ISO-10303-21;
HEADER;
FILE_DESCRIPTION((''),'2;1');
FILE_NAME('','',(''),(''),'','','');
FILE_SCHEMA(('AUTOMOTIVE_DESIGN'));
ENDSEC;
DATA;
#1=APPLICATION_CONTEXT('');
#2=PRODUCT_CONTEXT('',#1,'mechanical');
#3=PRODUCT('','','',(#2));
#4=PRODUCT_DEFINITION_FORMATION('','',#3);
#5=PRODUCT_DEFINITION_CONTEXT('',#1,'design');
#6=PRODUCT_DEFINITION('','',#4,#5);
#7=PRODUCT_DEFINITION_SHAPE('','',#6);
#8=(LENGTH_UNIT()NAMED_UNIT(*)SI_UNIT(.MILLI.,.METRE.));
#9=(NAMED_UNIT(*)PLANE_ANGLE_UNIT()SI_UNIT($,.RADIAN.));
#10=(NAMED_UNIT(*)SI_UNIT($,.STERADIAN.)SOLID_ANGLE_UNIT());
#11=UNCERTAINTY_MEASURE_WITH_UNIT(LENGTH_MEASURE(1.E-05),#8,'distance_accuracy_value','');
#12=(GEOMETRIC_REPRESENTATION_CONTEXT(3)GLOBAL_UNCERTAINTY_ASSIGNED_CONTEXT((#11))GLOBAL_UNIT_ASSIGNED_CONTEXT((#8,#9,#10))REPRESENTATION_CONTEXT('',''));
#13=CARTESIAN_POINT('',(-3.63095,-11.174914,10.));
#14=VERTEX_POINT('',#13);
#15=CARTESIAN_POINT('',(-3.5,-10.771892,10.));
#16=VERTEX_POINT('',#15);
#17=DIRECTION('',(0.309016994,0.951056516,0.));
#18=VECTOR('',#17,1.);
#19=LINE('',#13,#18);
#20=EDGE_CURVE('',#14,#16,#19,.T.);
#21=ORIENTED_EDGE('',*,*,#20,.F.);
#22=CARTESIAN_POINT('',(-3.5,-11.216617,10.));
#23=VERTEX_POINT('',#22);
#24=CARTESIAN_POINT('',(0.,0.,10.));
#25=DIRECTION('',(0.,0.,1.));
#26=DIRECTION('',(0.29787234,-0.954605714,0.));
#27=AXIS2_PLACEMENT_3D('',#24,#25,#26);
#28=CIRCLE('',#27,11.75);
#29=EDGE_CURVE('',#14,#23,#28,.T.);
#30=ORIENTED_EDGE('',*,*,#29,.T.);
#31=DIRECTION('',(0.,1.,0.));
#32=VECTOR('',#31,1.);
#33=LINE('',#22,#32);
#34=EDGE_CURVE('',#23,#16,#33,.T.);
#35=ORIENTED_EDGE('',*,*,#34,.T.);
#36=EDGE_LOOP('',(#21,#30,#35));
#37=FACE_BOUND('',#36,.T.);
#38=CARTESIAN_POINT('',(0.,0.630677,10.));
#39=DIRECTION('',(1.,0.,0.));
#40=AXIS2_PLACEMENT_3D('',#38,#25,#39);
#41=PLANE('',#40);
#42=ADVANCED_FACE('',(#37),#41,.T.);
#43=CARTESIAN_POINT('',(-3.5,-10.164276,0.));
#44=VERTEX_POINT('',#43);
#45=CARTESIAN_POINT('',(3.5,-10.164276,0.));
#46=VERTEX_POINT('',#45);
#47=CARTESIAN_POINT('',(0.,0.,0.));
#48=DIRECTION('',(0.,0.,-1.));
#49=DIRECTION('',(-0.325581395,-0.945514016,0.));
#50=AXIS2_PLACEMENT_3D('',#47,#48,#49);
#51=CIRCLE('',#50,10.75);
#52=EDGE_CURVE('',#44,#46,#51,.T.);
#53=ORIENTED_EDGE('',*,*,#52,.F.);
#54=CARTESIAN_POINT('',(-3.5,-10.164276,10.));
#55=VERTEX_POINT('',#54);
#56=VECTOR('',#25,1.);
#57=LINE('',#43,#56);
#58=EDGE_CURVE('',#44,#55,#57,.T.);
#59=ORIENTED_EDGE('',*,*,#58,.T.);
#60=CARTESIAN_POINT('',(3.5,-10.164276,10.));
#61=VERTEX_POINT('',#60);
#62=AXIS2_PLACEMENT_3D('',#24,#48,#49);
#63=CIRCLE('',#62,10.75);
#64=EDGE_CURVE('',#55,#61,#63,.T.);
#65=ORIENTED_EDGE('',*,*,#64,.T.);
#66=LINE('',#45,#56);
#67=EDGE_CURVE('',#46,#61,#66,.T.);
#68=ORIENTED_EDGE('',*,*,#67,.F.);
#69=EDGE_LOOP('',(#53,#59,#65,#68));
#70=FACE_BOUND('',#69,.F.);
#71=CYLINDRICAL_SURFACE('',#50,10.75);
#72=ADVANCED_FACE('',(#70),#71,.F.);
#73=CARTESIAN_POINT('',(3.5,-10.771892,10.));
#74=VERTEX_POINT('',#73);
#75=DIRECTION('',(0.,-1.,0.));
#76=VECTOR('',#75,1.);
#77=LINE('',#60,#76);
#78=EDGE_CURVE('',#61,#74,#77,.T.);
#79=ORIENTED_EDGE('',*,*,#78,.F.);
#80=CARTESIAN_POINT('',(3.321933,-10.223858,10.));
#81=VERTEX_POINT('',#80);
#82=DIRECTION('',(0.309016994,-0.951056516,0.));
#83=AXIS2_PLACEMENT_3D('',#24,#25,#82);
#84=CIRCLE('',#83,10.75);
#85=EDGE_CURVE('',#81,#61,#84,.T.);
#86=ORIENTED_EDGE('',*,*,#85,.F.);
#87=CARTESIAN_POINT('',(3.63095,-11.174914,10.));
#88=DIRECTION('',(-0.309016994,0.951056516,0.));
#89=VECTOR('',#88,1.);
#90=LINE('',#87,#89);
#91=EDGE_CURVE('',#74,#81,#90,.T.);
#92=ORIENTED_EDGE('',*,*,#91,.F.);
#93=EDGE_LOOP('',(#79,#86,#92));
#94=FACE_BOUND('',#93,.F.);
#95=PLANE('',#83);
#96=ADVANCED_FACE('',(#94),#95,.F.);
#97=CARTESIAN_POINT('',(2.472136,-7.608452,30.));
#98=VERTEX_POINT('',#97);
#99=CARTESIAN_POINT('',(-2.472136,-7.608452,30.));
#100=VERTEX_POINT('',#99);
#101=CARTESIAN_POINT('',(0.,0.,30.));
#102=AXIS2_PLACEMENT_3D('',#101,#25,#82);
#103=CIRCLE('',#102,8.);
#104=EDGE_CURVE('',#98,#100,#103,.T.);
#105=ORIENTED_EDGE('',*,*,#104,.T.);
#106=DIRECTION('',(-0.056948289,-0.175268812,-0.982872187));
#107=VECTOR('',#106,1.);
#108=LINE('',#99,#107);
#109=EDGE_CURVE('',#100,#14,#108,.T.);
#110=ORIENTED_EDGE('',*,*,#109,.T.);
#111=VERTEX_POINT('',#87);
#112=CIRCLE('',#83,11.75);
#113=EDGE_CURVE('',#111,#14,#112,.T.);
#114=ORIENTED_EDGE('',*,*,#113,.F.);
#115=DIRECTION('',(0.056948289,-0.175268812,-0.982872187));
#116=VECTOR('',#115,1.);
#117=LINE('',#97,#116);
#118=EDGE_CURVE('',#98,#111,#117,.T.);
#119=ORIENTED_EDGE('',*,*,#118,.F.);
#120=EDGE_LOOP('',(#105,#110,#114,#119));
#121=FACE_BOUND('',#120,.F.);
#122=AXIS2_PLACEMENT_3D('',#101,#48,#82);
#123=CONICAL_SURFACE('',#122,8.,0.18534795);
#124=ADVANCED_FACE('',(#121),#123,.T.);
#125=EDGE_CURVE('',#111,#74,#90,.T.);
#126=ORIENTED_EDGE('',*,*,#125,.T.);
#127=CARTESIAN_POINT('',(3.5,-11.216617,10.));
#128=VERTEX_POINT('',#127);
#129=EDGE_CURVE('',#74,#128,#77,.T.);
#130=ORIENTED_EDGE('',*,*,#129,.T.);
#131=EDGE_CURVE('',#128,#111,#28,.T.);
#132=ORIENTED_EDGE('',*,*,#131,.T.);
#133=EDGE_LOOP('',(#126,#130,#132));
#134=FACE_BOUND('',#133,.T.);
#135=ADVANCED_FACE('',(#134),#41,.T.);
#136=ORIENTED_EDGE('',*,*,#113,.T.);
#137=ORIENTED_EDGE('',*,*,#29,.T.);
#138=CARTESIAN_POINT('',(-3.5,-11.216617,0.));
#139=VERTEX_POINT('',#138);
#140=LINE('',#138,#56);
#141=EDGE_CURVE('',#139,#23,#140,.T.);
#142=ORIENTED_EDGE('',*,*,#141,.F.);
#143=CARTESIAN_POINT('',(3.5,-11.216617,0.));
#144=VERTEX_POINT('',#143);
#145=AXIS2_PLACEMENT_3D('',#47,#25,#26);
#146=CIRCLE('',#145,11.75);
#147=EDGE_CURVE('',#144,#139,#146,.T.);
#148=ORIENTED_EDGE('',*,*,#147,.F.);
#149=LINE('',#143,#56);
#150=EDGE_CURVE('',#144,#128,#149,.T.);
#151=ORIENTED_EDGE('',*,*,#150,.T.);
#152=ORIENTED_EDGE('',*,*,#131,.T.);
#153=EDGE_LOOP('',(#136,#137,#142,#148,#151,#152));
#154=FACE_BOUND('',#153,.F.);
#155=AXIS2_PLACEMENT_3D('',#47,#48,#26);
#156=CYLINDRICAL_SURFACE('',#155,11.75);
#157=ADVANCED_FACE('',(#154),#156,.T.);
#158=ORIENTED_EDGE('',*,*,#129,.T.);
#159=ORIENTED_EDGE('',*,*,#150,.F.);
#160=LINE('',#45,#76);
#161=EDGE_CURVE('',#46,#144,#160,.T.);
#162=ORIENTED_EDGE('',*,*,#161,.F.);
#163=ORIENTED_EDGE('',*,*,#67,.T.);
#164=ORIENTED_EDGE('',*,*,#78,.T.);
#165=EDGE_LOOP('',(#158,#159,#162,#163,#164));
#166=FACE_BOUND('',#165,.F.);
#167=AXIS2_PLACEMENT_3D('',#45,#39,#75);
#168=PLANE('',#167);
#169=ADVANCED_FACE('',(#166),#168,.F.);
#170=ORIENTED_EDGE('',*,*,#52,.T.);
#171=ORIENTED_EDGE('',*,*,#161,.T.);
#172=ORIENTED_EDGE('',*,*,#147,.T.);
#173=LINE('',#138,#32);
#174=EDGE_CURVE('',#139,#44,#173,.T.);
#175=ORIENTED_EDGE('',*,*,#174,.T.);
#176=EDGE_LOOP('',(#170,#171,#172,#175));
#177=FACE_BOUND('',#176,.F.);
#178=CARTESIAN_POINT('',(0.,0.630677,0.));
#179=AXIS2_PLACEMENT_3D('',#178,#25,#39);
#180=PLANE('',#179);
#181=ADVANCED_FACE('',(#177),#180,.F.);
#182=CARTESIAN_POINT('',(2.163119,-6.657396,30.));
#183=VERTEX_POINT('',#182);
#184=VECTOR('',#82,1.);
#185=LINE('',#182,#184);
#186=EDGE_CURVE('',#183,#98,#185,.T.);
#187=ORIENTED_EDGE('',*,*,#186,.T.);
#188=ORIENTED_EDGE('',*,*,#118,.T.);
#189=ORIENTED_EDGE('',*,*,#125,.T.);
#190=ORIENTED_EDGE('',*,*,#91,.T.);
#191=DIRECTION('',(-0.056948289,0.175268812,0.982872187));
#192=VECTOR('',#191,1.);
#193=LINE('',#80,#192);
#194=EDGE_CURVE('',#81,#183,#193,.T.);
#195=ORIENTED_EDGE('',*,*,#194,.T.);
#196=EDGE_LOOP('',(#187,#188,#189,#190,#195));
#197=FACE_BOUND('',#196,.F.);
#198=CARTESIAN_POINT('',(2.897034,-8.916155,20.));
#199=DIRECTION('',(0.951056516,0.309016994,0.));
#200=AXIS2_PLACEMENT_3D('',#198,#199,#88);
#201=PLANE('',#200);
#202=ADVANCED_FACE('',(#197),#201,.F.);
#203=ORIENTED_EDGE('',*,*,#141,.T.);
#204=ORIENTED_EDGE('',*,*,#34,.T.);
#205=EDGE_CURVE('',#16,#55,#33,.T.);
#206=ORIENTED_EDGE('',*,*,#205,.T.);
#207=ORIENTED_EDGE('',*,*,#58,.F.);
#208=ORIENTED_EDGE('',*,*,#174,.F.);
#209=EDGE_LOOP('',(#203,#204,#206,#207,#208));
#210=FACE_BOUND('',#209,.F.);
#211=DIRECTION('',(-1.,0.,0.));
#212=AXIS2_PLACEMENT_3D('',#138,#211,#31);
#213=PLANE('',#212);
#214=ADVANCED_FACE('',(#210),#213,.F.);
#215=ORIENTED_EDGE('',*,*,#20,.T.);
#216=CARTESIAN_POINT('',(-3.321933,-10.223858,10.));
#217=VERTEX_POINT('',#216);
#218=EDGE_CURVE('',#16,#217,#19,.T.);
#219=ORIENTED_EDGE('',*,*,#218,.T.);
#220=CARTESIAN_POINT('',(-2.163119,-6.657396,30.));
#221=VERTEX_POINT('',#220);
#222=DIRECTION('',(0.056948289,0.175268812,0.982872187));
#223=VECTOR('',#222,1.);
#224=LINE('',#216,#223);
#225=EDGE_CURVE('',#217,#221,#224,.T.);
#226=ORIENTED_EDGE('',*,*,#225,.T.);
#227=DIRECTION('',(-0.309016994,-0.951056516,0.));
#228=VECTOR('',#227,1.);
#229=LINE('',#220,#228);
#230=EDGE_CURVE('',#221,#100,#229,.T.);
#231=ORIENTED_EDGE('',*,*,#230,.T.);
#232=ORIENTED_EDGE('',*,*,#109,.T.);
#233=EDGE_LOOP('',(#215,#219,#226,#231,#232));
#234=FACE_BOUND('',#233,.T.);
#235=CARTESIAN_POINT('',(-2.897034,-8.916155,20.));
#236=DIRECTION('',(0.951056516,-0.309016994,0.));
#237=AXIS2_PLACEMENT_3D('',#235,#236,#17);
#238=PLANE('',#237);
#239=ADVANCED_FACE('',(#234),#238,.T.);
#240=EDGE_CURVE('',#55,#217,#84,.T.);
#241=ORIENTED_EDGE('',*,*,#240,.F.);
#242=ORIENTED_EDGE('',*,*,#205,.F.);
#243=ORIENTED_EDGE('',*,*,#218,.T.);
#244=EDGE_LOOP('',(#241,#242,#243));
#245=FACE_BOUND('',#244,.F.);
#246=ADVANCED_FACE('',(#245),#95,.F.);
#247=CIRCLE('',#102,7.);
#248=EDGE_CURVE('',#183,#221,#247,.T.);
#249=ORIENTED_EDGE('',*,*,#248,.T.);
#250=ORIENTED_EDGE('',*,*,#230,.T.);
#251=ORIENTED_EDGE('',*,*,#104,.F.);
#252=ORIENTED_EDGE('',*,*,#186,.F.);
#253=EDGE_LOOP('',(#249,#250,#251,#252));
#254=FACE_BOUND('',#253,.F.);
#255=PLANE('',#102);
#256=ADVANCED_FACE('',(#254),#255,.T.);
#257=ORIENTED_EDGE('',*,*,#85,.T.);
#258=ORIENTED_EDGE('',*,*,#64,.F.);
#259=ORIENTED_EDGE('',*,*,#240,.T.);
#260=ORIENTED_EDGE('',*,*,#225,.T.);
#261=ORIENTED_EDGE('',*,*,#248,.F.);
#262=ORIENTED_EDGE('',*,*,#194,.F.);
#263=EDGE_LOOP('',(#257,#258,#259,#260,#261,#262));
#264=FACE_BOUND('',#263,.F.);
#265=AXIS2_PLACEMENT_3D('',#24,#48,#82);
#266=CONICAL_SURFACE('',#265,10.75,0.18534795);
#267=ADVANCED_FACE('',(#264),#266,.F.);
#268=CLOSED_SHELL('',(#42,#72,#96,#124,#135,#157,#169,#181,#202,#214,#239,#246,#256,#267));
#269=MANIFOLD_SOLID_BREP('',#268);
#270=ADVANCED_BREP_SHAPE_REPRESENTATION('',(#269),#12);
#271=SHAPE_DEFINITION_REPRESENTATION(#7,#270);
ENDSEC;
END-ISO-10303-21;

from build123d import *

# Parameters (mm, degrees)
F1_DEPTH      = 10
F3_ANGLE_BACK = 252
F3_ANGLE      = 324


with BuildPart() as f1:
    # F0 (on Top) → F1 (new body)
    with BuildSketch(Plane.XY):
        with BuildLine():
            ThreePointArc((-3.5, -10.1642756751), (0, 10.75), (3.5, -10.1642756751))
            Line((3.5, -10.1642756751), (3.5, -11.2166171371))
            ThreePointArc((3.5, -11.2166171371), (0, 11.75), (-3.5, -11.2166171371))
            Line((-3.5, -11.2166171371), (-3.5, -10.1642756751))
        make_face()
    extrude(amount=F1_DEPTH)

    # F2 (on Front) → F3 (revolve)
    with BuildSketch(Plane.XZ, mode=Mode.PRIVATE) as f3_sk:
        Polygon((-11.75, 10), (-10.75, 10), (-7, 30), (-8, 30), align=None)
    revolve(f3_sk.sketch.rotate(Axis((0, 0, 31.3703455031), (0, 0, 1)), -F3_ANGLE_BACK), axis=Axis((0, 0, 31.3703455031), (0, 0, 1)), revolution_arc=F3_ANGLE)


solid = f1.part
